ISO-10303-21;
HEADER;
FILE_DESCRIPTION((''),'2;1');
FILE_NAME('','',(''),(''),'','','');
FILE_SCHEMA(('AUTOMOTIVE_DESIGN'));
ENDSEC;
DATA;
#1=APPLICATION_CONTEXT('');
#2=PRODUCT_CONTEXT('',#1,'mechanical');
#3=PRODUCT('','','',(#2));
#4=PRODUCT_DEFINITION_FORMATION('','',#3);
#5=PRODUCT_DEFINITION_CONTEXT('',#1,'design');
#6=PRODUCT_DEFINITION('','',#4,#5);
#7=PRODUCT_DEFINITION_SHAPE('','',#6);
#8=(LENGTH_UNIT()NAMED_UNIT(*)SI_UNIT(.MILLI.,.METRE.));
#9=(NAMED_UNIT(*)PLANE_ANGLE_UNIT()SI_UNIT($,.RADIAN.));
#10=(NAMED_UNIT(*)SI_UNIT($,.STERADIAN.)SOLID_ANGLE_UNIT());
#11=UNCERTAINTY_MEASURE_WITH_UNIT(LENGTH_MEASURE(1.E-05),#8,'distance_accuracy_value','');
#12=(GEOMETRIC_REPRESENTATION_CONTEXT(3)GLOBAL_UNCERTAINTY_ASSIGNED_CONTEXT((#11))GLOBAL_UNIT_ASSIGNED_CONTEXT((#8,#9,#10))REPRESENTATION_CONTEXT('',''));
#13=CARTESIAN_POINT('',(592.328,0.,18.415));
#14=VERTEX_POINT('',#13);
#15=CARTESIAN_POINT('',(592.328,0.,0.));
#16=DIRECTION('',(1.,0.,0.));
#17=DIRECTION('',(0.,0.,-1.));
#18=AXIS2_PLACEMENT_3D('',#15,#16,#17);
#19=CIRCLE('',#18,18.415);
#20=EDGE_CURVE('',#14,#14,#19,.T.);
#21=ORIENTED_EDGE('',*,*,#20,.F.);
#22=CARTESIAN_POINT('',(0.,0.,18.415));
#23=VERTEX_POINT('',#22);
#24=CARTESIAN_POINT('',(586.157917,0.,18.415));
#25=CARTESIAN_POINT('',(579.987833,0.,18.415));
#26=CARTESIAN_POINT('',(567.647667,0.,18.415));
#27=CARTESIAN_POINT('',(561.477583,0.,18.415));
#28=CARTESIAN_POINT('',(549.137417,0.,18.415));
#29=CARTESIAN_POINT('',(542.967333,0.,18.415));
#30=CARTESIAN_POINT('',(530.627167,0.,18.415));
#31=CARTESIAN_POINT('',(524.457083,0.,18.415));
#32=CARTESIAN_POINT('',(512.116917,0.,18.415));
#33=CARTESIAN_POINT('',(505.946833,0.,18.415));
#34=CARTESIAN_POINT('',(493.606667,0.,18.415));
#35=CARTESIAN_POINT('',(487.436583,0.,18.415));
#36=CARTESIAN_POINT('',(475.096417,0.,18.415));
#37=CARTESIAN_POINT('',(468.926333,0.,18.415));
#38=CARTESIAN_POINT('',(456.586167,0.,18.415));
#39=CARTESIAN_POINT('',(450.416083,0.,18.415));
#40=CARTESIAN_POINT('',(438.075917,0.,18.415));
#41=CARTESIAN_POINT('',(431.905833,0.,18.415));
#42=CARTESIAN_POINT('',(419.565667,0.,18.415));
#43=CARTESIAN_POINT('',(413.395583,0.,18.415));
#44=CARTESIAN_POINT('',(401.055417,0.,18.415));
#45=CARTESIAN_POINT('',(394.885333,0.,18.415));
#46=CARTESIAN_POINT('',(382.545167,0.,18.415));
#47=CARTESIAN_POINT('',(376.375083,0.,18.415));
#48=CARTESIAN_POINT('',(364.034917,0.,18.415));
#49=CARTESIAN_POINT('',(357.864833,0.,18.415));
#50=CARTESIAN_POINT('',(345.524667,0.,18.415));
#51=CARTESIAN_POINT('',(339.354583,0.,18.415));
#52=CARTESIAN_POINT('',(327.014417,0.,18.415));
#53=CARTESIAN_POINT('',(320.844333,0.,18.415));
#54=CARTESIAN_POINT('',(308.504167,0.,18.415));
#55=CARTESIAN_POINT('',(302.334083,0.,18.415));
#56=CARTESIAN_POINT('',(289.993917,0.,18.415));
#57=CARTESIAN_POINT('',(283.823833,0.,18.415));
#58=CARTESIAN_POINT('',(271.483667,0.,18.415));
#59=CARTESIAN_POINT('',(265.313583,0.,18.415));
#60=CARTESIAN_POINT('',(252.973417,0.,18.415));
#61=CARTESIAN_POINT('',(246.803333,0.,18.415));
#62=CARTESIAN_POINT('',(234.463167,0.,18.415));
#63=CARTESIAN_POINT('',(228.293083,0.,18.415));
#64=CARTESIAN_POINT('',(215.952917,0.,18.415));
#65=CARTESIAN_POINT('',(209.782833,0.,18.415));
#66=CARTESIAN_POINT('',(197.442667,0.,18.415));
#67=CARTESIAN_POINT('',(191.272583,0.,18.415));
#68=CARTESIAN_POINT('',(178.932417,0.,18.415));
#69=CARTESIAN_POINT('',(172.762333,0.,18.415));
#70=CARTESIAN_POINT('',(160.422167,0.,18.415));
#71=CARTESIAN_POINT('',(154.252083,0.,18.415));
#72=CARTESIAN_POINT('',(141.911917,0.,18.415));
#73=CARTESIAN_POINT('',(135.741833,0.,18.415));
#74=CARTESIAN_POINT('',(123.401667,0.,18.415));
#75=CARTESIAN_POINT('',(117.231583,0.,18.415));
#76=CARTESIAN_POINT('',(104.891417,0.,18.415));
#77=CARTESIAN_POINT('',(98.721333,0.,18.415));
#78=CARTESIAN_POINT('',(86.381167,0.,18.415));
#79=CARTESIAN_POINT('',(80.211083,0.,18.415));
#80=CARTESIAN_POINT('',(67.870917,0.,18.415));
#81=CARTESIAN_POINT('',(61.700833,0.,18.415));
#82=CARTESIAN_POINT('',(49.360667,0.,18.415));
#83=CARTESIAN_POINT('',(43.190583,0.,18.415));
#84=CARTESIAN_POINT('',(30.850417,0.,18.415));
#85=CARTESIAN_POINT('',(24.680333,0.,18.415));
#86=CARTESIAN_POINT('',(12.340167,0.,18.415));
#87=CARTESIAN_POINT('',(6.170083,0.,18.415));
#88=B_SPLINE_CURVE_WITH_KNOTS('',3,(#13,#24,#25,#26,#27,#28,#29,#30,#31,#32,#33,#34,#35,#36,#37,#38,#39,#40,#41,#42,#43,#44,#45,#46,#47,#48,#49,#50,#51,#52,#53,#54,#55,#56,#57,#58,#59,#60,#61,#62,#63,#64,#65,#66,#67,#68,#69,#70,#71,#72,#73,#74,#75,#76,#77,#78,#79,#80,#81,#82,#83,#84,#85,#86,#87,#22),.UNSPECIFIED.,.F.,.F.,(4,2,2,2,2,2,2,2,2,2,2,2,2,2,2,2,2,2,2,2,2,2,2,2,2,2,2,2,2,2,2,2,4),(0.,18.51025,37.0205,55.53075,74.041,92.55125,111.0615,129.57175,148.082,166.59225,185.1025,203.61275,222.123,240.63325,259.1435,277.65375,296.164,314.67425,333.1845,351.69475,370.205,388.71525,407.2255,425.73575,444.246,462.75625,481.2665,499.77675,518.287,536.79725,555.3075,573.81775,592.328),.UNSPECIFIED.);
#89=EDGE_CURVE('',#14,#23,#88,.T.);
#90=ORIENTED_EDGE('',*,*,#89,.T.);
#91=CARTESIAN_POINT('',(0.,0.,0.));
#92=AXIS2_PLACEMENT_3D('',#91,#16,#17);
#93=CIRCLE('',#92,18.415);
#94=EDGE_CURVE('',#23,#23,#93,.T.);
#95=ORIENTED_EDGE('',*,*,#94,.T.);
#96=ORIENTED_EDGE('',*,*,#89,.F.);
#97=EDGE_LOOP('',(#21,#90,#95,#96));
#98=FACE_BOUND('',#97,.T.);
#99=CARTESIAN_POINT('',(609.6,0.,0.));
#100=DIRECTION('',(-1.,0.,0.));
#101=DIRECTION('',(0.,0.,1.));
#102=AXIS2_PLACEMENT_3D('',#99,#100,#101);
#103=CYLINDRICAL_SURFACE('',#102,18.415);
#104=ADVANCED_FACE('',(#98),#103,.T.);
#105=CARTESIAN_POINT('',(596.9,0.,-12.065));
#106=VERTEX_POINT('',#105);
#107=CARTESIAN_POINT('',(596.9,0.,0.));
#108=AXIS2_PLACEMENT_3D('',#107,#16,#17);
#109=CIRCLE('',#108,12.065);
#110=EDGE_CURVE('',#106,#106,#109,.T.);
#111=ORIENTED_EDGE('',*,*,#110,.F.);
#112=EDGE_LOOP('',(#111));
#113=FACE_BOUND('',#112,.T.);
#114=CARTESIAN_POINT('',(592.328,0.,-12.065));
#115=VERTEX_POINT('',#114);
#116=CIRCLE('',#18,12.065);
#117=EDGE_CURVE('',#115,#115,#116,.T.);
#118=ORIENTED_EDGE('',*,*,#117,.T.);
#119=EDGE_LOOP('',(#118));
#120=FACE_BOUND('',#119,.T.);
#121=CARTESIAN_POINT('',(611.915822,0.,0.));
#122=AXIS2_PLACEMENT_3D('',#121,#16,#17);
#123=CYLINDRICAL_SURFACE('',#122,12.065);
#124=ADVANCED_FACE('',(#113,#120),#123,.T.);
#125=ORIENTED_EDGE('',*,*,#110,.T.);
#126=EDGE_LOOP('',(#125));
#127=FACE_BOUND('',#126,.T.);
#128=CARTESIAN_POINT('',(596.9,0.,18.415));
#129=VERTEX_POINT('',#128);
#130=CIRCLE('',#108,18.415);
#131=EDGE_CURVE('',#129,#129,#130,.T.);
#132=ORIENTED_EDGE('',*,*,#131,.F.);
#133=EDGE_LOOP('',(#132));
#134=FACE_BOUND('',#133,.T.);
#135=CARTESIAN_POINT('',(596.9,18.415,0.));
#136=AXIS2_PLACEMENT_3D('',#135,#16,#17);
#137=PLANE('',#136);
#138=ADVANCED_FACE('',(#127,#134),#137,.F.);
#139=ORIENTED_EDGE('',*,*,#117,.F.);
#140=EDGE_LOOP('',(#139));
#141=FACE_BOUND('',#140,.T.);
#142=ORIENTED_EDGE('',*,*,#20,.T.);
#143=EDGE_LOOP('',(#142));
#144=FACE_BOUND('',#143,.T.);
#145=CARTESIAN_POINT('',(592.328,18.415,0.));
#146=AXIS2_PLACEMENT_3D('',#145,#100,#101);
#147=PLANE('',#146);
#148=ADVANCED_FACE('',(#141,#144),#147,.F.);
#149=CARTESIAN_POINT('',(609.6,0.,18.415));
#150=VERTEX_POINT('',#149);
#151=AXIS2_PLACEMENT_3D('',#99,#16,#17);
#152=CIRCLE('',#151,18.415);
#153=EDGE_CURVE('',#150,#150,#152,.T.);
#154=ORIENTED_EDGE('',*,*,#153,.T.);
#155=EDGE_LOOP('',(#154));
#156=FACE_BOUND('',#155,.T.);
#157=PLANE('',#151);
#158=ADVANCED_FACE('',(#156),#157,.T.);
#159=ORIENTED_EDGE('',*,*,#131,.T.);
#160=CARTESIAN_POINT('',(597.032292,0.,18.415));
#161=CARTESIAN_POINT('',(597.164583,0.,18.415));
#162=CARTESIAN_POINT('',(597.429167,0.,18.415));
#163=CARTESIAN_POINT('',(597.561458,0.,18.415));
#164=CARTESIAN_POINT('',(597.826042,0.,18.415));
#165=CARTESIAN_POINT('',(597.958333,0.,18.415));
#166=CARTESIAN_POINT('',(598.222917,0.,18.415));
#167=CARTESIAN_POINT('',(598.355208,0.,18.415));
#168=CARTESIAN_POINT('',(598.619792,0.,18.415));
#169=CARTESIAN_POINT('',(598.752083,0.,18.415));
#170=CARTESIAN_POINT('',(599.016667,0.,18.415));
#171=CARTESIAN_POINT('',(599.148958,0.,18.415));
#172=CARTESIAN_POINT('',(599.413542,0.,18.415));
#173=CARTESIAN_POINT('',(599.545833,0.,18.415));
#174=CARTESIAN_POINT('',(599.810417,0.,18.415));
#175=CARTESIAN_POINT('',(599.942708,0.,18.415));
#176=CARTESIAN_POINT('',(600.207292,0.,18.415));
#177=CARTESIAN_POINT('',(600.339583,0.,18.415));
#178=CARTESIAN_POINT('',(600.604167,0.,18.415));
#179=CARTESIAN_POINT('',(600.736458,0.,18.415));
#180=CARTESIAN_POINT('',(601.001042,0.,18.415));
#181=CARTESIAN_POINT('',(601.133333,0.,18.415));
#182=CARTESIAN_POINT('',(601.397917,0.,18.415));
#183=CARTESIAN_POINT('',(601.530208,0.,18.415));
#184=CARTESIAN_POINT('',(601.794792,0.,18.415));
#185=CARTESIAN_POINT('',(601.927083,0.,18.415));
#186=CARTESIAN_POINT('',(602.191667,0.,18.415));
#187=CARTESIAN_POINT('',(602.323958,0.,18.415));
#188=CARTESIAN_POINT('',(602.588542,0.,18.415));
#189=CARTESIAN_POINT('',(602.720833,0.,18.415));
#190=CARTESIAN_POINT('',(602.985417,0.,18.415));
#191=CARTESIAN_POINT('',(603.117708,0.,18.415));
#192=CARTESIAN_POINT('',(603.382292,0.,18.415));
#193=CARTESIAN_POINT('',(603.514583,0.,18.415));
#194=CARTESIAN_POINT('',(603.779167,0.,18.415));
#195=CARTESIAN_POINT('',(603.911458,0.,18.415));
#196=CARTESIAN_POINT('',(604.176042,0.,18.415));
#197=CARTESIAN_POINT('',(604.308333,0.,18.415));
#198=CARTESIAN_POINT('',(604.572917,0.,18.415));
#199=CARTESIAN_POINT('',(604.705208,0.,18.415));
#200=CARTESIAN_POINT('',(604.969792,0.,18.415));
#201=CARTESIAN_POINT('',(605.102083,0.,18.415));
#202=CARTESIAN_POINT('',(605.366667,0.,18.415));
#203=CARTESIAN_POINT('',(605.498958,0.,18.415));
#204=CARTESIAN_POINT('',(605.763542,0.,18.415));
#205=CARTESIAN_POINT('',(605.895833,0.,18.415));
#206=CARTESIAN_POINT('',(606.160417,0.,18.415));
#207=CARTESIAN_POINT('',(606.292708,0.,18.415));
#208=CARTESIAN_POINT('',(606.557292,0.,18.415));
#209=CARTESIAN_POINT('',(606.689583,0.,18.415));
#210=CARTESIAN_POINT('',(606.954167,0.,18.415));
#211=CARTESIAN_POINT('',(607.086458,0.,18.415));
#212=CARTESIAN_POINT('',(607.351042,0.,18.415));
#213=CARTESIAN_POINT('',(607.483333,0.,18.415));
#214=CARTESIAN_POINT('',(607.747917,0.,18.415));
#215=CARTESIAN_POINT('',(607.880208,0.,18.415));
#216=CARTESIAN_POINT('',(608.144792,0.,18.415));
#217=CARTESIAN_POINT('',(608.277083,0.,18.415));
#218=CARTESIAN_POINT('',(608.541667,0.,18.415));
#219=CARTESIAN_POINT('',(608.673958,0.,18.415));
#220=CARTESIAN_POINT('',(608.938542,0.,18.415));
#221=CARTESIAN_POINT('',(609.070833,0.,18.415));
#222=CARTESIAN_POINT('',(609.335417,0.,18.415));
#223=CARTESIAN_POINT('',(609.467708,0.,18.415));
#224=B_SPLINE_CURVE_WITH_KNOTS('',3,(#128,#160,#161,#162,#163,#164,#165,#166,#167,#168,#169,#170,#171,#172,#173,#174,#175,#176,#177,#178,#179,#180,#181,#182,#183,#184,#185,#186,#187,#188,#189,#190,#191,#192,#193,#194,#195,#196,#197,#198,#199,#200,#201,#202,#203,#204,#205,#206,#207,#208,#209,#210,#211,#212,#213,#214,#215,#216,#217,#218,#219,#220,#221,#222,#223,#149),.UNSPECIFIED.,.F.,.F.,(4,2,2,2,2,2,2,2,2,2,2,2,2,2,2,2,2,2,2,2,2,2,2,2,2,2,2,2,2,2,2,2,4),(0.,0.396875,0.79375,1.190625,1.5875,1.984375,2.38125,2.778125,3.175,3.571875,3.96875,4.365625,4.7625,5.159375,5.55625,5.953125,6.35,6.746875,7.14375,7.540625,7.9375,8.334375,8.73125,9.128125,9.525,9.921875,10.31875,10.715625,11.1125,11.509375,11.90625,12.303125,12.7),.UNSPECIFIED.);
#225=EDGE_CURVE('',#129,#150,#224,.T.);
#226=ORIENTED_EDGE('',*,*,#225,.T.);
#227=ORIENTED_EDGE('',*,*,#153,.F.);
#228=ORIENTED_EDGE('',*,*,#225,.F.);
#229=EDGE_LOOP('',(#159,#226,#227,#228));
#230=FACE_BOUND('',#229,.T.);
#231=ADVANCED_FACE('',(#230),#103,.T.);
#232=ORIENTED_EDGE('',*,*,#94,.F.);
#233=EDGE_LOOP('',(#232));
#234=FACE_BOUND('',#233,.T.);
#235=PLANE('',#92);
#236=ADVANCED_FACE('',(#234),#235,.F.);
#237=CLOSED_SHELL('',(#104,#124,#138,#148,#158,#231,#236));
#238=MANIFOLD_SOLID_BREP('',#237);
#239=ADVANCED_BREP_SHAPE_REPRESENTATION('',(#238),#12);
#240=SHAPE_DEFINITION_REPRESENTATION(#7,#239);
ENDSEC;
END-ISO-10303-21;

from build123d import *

# Parameters (mm, degrees)
SKETCH1_R           = 18.415
BOSS_EXTRUDE1_DEPTH = 609.6
SKETCH2_W           = 4.572
SKETCH2_H           = 6.35


with BuildPart() as part:
    # Sketch1 → Boss-Extrude1 (new body)
    with BuildSketch(Plane(origin=(0, 0, 0), x_dir=(0, 0, -1), z_dir=(1, 0, 0))):
        with Locations(Location((0, 0, 0), (0, 0, 180))):
            Circle(SKETCH1_R)
    extrude(amount=BOSS_EXTRUDE1_DEPTH)

    # Sketch2 → Cut-Revolve1 (revolve, cut)
    with BuildSketch(Plane.XY, mode=Mode.PRIVATE) as cut_revolve1_sk:
        with Locations((594.614, 15.24)):
            Rectangle(SKETCH2_W, SKETCH2_H)
    revolve(cut_revolve1_sk.sketch.rotate(Axis((611.915821956, 0, 0), (-1, 0, 0)), 270), axis=Axis((611.915821956, 0, 0), (-1, 0, 0)), mode=Mode.SUBTRACT)


solid = part.part
